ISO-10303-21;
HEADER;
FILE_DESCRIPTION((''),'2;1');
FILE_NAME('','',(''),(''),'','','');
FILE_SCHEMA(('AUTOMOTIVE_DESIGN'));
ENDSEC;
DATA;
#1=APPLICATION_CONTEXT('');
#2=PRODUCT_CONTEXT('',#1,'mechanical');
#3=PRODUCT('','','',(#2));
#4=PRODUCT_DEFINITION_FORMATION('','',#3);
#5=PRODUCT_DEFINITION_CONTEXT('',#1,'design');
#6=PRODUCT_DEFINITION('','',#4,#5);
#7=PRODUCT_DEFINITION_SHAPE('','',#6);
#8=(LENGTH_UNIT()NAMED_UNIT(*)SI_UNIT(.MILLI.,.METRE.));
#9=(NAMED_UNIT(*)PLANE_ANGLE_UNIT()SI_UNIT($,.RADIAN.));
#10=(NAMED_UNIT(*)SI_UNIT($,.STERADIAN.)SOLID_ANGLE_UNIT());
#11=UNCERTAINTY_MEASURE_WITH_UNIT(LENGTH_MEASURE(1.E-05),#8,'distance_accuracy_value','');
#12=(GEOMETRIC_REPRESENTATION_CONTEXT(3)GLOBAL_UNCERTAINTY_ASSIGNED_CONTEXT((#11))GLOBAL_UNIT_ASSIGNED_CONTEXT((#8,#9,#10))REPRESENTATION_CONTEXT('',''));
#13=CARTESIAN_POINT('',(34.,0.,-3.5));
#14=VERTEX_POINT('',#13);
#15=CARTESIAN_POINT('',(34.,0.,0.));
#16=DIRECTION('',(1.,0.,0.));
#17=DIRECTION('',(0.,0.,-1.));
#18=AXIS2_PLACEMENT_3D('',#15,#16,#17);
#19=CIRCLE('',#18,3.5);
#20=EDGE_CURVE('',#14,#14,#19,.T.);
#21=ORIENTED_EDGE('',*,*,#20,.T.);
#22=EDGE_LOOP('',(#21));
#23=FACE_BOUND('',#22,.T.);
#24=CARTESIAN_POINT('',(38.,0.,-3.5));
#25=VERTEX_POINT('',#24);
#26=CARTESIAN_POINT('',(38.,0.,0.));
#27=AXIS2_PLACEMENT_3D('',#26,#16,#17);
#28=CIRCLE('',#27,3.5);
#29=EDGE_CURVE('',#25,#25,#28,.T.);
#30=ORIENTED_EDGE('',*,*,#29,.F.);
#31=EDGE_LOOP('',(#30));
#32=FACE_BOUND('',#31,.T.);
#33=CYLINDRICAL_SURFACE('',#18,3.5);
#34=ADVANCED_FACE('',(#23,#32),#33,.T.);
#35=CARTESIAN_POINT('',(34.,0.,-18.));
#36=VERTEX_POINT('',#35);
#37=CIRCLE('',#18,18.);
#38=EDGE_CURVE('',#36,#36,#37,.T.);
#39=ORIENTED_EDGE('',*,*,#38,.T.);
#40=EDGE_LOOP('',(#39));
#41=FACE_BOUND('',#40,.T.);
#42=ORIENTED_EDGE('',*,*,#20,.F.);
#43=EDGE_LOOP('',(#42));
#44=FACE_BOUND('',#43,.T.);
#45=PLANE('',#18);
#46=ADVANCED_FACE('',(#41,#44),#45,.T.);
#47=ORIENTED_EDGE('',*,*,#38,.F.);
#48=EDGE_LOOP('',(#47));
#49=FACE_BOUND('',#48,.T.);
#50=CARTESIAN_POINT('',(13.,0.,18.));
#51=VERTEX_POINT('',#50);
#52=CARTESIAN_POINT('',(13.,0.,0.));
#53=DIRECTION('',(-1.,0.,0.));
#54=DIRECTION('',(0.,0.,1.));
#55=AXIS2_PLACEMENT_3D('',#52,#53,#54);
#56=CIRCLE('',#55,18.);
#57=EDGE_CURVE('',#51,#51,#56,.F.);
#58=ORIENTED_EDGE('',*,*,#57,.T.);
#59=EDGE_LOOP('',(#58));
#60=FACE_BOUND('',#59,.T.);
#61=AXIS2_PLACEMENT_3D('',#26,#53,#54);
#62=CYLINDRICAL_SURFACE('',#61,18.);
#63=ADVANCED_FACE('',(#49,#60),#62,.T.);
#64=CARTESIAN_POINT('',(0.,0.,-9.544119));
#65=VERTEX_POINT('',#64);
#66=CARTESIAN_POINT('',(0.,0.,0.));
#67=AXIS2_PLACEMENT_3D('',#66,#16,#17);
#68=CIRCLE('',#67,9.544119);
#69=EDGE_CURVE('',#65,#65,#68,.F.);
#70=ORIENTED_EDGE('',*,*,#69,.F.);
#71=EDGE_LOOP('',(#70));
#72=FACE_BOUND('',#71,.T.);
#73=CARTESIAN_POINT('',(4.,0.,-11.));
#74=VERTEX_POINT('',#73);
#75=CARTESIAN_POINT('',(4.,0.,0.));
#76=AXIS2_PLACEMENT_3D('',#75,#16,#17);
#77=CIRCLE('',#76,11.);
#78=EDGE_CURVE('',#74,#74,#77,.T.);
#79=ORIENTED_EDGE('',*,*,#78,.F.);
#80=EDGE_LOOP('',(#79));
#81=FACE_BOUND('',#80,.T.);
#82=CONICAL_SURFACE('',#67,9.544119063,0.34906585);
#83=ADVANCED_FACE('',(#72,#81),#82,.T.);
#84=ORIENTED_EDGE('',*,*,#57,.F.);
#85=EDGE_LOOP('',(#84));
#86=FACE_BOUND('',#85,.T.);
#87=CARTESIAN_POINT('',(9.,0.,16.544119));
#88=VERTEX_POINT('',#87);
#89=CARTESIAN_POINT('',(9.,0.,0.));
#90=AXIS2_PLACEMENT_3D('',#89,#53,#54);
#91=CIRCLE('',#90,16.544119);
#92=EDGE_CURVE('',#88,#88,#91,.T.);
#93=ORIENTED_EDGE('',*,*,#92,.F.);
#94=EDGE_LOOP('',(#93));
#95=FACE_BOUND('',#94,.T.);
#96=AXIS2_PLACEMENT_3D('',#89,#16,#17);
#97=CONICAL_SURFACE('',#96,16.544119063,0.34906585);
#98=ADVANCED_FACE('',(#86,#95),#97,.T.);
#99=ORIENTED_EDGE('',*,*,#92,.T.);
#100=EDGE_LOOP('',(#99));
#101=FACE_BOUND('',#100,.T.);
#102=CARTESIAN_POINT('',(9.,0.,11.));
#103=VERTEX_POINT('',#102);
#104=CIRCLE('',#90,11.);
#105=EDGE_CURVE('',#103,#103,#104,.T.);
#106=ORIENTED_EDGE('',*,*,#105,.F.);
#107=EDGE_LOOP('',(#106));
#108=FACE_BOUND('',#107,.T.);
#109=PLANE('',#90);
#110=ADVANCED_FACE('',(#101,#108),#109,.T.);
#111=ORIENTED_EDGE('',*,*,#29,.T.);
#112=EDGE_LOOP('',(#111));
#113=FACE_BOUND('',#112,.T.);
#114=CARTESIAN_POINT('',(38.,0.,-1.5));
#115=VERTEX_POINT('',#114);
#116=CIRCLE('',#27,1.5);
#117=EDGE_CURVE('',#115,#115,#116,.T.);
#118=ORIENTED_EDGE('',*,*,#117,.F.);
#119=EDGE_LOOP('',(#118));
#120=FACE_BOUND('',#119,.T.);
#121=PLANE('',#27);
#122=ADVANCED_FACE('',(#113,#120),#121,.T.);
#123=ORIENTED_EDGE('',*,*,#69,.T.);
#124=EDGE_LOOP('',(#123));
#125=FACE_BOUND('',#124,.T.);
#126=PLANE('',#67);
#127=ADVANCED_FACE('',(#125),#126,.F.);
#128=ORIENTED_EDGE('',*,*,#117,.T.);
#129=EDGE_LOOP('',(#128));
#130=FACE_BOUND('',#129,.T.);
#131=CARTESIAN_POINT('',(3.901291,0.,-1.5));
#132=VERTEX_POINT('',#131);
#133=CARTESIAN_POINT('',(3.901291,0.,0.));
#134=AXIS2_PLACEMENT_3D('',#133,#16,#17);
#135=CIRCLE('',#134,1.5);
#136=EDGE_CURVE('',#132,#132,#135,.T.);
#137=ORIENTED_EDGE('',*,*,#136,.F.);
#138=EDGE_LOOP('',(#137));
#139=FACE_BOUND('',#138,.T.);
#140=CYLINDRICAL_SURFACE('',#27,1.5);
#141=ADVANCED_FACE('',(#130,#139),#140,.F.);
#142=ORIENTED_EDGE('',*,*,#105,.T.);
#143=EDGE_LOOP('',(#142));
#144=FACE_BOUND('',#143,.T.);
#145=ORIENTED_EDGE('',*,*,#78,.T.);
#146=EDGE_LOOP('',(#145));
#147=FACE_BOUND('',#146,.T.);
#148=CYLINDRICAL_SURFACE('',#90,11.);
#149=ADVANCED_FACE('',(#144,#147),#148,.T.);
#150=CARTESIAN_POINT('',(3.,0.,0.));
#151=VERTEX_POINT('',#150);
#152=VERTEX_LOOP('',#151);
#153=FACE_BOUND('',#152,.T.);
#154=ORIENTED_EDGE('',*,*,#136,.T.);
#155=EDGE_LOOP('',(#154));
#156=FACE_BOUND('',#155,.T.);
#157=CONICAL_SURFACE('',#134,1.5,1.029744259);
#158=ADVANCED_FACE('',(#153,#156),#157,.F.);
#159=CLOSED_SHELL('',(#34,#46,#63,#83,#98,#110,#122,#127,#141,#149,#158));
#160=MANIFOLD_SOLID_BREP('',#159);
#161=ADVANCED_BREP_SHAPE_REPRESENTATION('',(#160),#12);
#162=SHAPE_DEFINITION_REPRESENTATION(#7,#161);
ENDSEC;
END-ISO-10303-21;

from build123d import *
from OCP.BRepFilletAPI import BRepFilletAPI_MakeChamfer

# Parameters (mm, degrees)
SKETCH1_R                    = 18
BOSS_EXTRUDE1_DEPTH          = 38
SKETCH2_OUTSIDE_W            = 50.706
SKETCH2_OUTSIDE_H            = 50.706
SKETCH2_OUTSIDE_R            = 3.5
CUT_EXTRUDE1_DEPTH           = 4
SKETCH3_OUTSIDE_W            = 50.706
SKETCH3_OUTSIDE_H            = 50.706
SKETCH3_OUTSIDE_R            = 11
CUT_EXTRUDE2_DEPTH           = 9
CHAMFER1_SIZE                = 4
CHAMFER1_SIZE2               = 1.455880937
F_3_0_3_DIAMETER_HOLE1_D     = 3
F_3_0_3_DIAMETER_HOLE1_DEPTH = 34.098709071
F_3_0_3_DIAMETER_HOLE1_TIP   = 0.901290929


with BuildPart() as part:
    # Sketch1 → Boss-Extrude1 (new body)
    with BuildSketch(Plane(origin=(0, 0, 0), x_dir=(0, 0, -1), z_dir=(1, 0, 0))):
        Circle(SKETCH1_R)
    extrude(amount=BOSS_EXTRUDE1_DEPTH)

    # Sketch2 outside → Cut-Extrude1 (cut)
    with BuildSketch(Plane(origin=(38, 0, 0), x_dir=(0, 0, -1), z_dir=(1, 0, 0))):
        Rectangle(SKETCH2_OUTSIDE_W, SKETCH2_OUTSIDE_H)
        Circle(SKETCH2_OUTSIDE_R, mode=Mode.SUBTRACT)
    extrude(amount=-CUT_EXTRUDE1_DEPTH, mode=Mode.SUBTRACT)

    # Sketch3 outside → Cut-Extrude2 (cut)
    with BuildSketch(Plane.ZY):
        Rectangle(SKETCH3_OUTSIDE_W, SKETCH3_OUTSIDE_H)
        Circle(SKETCH3_OUTSIDE_R, mode=Mode.SUBTRACT)
    extrude(amount=-CUT_EXTRUDE2_DEPTH, mode=Mode.SUBTRACT)

    # Chamfer1: one chamfer whose edges measure the first distance from different faces: ONE call of the kernel's chamfer builder (chamfer() names one face for all edges)
    chamfer1_edges_1 = [part.edges().sort_by_distance(p)[0] for p in [
        (9, 0, 18),
    ]]
    chamfer1_side_1 = [part.faces().sort_by_distance(p)[0] for p in [
        (21.5, 0, 18),
    ]]
    chamfer1_edges_2 = [part.edges().sort_by_distance(p)[0] for p in [
        (0, 0, -11),
    ]]
    chamfer1_side_2 = [part.faces().sort_by_distance(p)[0] for p in [
        (4.5, 0, -11),
    ]]
    chamfer1 = BRepFilletAPI_MakeChamfer(part.part.solid().wrapped)
    for e in chamfer1_edges_1:
        chamfer1.Add(CHAMFER1_SIZE, CHAMFER1_SIZE2, e.wrapped, chamfer1_side_1[0].wrapped)  # the first distance lies on this face
    for e in chamfer1_edges_2:
        chamfer1.Add(CHAMFER1_SIZE, CHAMFER1_SIZE2, e.wrapped, chamfer1_side_2[0].wrapped)  # the first distance lies on this face
    add(Compound.cast(chamfer1.Shape()), mode=Mode.REPLACE)

    # Ø3.0 (3) Diameter Hole1
    with Locations(Plane(origin=(38, 0, 0), x_dir=(0, 0, -1), z_dir=(1, 0, 0))):
        with Locations((0, 0)):
            Hole(F_3_0_3_DIAMETER_HOLE1_D / 2, depth=F_3_0_3_DIAMETER_HOLE1_DEPTH)
            with Locations((0, 0, -(F_3_0_3_DIAMETER_HOLE1_DEPTH + F_3_0_3_DIAMETER_HOLE1_TIP / 2))):  # 118° drill point
                Cone(0, F_3_0_3_DIAMETER_HOLE1_D / 2, F_3_0_3_DIAMETER_HOLE1_TIP, mode=Mode.SUBTRACT)


solid = part.part
